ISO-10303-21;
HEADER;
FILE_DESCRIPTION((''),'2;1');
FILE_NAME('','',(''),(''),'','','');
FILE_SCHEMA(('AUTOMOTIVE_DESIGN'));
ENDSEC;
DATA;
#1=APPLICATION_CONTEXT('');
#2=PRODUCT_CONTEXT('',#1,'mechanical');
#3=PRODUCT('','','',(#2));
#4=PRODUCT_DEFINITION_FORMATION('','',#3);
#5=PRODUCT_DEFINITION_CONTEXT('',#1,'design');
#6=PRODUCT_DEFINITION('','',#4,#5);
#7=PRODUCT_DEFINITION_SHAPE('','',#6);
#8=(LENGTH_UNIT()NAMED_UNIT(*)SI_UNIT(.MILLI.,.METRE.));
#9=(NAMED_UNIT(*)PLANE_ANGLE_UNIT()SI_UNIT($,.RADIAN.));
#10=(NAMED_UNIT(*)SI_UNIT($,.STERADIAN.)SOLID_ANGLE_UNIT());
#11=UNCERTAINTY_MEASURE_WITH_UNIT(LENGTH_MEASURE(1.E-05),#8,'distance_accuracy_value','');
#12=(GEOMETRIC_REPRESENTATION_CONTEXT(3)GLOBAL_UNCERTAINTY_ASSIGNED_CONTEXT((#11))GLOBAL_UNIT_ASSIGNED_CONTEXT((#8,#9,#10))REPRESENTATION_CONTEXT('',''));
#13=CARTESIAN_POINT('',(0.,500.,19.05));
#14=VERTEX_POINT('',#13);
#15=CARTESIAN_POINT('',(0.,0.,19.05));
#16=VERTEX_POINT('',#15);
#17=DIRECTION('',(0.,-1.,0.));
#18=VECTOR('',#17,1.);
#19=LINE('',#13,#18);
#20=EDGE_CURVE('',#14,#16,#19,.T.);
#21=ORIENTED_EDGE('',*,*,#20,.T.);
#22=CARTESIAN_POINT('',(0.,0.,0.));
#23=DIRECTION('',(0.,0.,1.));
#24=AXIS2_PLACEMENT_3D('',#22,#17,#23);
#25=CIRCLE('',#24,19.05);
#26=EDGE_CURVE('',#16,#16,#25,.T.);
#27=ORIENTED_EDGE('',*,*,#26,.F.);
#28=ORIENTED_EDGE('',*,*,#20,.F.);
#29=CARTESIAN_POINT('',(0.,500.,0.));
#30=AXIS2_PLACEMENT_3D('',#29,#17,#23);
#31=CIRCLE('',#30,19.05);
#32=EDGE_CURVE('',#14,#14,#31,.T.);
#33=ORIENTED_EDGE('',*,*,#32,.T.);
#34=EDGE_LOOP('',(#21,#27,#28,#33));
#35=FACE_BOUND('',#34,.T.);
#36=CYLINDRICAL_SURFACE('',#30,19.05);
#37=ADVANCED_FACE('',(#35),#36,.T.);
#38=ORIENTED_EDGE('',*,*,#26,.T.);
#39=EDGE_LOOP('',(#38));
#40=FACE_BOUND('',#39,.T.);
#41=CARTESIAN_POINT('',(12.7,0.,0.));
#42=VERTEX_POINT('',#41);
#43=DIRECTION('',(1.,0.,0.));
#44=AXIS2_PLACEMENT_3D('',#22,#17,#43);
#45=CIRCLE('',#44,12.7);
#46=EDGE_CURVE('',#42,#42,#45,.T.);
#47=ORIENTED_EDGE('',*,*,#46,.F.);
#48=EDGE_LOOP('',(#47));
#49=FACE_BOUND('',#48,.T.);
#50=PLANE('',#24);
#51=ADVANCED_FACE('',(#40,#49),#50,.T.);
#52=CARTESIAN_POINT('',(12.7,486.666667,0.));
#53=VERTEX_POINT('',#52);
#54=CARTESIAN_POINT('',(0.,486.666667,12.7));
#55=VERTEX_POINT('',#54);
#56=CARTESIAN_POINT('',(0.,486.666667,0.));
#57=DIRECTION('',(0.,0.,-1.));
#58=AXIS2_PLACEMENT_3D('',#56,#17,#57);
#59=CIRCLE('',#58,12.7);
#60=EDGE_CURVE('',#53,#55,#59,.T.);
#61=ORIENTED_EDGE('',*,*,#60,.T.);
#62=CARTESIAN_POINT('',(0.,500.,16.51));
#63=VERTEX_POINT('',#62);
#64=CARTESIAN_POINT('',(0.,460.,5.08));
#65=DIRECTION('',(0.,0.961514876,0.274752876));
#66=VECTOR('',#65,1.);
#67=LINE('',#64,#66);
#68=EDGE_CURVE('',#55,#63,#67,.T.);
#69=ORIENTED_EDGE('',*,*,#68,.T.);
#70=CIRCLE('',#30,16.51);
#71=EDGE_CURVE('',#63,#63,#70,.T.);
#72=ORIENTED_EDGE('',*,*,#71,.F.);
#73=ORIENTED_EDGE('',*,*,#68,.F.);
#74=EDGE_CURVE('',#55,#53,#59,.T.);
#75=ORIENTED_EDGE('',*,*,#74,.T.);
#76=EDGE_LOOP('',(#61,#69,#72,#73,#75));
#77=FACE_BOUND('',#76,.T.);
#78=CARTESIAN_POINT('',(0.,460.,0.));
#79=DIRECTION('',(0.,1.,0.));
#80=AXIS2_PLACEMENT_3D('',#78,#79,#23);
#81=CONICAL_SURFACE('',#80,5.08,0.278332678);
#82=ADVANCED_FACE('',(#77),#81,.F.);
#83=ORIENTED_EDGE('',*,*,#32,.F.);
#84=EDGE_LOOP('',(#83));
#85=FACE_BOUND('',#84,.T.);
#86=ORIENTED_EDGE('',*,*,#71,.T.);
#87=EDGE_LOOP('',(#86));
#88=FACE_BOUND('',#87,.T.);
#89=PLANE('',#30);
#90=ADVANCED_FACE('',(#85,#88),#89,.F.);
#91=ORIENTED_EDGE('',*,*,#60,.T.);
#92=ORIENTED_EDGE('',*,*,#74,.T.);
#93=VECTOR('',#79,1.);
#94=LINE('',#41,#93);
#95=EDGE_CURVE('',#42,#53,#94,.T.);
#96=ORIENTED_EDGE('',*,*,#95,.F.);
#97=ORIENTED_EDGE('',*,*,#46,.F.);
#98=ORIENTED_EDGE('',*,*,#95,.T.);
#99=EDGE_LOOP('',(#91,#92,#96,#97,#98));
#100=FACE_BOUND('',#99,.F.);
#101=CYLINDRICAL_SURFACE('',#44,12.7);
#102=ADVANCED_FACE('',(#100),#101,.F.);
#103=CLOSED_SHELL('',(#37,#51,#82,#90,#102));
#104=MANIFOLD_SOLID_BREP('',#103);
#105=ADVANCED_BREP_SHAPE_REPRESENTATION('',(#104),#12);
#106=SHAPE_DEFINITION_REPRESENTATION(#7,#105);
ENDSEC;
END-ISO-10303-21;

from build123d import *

# Parameters (mm, degrees)
F3_R     = 12.7
F4_DEPTH = 500.001


with BuildPart() as f2:
    # F0 (on Right) → F2 (revolve)
    with BuildSketch(Plane.YZ):
        Polygon((0, 19.05), (0, 0), (460, 0), (460, 5.08), (500, 16.51), (500, 19.05), align=None)
    revolve(axis=Axis((0, 0, 0), (0, -1, 0)))

    # F3 (on Front) → F4 (cut, through all)
    with BuildSketch(Plane.XZ):
        Circle(F3_R)
    extrude(amount=-F4_DEPTH, mode=Mode.SUBTRACT)


solid = f2.part
